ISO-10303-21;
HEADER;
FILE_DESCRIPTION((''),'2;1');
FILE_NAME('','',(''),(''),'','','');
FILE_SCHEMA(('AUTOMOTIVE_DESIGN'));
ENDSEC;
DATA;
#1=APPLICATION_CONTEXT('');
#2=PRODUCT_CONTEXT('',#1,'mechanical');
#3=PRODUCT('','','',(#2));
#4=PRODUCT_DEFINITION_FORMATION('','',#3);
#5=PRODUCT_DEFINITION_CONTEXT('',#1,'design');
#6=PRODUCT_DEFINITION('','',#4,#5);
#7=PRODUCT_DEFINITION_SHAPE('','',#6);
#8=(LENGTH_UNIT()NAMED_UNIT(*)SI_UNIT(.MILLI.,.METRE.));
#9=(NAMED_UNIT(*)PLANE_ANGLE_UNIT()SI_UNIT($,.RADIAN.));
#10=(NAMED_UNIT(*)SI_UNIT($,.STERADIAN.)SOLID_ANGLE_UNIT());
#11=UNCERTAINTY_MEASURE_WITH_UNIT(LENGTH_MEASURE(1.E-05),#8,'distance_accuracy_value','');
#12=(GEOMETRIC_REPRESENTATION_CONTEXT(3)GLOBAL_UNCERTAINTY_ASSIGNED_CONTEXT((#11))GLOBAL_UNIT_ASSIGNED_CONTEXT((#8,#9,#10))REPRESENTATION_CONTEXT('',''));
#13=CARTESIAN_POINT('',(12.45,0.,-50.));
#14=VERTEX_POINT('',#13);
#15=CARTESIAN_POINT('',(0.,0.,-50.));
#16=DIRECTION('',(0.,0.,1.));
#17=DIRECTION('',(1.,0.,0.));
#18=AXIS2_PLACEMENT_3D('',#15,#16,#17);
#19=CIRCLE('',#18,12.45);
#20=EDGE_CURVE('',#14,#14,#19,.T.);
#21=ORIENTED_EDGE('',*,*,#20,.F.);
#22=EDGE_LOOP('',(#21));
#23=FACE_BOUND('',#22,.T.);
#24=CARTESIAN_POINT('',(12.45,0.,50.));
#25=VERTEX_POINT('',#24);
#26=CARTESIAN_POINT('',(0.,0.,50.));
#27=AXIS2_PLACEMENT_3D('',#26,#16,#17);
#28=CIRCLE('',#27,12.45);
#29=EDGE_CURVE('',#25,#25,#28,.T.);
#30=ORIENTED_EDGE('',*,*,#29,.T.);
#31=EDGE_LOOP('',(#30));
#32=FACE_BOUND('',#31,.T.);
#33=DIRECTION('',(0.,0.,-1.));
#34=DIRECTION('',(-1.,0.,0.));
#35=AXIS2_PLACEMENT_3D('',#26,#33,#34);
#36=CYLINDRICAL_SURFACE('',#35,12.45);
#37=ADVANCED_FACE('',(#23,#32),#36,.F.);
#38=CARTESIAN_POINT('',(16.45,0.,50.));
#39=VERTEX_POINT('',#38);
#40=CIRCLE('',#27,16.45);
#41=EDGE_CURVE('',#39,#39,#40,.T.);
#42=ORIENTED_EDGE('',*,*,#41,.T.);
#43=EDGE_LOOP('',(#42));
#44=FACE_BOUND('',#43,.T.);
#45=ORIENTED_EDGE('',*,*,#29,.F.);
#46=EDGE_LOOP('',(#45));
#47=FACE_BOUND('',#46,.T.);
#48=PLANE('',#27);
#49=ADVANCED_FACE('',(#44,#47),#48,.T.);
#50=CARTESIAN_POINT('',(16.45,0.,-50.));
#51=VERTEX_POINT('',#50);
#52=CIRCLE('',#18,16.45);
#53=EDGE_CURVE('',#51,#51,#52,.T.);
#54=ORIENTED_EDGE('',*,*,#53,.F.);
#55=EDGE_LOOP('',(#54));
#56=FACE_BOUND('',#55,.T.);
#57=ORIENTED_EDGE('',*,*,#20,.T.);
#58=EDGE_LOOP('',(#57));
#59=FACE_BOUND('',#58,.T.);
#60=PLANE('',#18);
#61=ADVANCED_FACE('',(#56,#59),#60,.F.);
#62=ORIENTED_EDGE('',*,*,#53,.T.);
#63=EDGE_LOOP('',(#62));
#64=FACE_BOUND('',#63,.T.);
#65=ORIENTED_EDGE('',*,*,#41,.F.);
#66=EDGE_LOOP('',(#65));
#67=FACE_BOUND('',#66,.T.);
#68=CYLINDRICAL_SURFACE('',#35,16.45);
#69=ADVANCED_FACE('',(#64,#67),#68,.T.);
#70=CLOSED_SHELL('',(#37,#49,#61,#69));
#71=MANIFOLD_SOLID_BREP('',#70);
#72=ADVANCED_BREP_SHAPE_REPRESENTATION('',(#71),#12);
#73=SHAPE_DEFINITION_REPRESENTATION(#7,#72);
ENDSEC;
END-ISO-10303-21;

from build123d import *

# Parameters (mm, degrees)
SKETCH1_R           = 16.45
SKETCH1_R_2         = 12.45
BOSS_EXTRUDE1_DEPTH = 50


with BuildPart() as part:
    # Sketch1 → Boss-Extrude1 (new body, symmetric)
    with BuildSketch(Plane.XY):
        Circle(SKETCH1_R)
        Circle(SKETCH1_R_2, mode=Mode.SUBTRACT)
    extrude(amount=BOSS_EXTRUDE1_DEPTH, both=True)


solid = part.part
